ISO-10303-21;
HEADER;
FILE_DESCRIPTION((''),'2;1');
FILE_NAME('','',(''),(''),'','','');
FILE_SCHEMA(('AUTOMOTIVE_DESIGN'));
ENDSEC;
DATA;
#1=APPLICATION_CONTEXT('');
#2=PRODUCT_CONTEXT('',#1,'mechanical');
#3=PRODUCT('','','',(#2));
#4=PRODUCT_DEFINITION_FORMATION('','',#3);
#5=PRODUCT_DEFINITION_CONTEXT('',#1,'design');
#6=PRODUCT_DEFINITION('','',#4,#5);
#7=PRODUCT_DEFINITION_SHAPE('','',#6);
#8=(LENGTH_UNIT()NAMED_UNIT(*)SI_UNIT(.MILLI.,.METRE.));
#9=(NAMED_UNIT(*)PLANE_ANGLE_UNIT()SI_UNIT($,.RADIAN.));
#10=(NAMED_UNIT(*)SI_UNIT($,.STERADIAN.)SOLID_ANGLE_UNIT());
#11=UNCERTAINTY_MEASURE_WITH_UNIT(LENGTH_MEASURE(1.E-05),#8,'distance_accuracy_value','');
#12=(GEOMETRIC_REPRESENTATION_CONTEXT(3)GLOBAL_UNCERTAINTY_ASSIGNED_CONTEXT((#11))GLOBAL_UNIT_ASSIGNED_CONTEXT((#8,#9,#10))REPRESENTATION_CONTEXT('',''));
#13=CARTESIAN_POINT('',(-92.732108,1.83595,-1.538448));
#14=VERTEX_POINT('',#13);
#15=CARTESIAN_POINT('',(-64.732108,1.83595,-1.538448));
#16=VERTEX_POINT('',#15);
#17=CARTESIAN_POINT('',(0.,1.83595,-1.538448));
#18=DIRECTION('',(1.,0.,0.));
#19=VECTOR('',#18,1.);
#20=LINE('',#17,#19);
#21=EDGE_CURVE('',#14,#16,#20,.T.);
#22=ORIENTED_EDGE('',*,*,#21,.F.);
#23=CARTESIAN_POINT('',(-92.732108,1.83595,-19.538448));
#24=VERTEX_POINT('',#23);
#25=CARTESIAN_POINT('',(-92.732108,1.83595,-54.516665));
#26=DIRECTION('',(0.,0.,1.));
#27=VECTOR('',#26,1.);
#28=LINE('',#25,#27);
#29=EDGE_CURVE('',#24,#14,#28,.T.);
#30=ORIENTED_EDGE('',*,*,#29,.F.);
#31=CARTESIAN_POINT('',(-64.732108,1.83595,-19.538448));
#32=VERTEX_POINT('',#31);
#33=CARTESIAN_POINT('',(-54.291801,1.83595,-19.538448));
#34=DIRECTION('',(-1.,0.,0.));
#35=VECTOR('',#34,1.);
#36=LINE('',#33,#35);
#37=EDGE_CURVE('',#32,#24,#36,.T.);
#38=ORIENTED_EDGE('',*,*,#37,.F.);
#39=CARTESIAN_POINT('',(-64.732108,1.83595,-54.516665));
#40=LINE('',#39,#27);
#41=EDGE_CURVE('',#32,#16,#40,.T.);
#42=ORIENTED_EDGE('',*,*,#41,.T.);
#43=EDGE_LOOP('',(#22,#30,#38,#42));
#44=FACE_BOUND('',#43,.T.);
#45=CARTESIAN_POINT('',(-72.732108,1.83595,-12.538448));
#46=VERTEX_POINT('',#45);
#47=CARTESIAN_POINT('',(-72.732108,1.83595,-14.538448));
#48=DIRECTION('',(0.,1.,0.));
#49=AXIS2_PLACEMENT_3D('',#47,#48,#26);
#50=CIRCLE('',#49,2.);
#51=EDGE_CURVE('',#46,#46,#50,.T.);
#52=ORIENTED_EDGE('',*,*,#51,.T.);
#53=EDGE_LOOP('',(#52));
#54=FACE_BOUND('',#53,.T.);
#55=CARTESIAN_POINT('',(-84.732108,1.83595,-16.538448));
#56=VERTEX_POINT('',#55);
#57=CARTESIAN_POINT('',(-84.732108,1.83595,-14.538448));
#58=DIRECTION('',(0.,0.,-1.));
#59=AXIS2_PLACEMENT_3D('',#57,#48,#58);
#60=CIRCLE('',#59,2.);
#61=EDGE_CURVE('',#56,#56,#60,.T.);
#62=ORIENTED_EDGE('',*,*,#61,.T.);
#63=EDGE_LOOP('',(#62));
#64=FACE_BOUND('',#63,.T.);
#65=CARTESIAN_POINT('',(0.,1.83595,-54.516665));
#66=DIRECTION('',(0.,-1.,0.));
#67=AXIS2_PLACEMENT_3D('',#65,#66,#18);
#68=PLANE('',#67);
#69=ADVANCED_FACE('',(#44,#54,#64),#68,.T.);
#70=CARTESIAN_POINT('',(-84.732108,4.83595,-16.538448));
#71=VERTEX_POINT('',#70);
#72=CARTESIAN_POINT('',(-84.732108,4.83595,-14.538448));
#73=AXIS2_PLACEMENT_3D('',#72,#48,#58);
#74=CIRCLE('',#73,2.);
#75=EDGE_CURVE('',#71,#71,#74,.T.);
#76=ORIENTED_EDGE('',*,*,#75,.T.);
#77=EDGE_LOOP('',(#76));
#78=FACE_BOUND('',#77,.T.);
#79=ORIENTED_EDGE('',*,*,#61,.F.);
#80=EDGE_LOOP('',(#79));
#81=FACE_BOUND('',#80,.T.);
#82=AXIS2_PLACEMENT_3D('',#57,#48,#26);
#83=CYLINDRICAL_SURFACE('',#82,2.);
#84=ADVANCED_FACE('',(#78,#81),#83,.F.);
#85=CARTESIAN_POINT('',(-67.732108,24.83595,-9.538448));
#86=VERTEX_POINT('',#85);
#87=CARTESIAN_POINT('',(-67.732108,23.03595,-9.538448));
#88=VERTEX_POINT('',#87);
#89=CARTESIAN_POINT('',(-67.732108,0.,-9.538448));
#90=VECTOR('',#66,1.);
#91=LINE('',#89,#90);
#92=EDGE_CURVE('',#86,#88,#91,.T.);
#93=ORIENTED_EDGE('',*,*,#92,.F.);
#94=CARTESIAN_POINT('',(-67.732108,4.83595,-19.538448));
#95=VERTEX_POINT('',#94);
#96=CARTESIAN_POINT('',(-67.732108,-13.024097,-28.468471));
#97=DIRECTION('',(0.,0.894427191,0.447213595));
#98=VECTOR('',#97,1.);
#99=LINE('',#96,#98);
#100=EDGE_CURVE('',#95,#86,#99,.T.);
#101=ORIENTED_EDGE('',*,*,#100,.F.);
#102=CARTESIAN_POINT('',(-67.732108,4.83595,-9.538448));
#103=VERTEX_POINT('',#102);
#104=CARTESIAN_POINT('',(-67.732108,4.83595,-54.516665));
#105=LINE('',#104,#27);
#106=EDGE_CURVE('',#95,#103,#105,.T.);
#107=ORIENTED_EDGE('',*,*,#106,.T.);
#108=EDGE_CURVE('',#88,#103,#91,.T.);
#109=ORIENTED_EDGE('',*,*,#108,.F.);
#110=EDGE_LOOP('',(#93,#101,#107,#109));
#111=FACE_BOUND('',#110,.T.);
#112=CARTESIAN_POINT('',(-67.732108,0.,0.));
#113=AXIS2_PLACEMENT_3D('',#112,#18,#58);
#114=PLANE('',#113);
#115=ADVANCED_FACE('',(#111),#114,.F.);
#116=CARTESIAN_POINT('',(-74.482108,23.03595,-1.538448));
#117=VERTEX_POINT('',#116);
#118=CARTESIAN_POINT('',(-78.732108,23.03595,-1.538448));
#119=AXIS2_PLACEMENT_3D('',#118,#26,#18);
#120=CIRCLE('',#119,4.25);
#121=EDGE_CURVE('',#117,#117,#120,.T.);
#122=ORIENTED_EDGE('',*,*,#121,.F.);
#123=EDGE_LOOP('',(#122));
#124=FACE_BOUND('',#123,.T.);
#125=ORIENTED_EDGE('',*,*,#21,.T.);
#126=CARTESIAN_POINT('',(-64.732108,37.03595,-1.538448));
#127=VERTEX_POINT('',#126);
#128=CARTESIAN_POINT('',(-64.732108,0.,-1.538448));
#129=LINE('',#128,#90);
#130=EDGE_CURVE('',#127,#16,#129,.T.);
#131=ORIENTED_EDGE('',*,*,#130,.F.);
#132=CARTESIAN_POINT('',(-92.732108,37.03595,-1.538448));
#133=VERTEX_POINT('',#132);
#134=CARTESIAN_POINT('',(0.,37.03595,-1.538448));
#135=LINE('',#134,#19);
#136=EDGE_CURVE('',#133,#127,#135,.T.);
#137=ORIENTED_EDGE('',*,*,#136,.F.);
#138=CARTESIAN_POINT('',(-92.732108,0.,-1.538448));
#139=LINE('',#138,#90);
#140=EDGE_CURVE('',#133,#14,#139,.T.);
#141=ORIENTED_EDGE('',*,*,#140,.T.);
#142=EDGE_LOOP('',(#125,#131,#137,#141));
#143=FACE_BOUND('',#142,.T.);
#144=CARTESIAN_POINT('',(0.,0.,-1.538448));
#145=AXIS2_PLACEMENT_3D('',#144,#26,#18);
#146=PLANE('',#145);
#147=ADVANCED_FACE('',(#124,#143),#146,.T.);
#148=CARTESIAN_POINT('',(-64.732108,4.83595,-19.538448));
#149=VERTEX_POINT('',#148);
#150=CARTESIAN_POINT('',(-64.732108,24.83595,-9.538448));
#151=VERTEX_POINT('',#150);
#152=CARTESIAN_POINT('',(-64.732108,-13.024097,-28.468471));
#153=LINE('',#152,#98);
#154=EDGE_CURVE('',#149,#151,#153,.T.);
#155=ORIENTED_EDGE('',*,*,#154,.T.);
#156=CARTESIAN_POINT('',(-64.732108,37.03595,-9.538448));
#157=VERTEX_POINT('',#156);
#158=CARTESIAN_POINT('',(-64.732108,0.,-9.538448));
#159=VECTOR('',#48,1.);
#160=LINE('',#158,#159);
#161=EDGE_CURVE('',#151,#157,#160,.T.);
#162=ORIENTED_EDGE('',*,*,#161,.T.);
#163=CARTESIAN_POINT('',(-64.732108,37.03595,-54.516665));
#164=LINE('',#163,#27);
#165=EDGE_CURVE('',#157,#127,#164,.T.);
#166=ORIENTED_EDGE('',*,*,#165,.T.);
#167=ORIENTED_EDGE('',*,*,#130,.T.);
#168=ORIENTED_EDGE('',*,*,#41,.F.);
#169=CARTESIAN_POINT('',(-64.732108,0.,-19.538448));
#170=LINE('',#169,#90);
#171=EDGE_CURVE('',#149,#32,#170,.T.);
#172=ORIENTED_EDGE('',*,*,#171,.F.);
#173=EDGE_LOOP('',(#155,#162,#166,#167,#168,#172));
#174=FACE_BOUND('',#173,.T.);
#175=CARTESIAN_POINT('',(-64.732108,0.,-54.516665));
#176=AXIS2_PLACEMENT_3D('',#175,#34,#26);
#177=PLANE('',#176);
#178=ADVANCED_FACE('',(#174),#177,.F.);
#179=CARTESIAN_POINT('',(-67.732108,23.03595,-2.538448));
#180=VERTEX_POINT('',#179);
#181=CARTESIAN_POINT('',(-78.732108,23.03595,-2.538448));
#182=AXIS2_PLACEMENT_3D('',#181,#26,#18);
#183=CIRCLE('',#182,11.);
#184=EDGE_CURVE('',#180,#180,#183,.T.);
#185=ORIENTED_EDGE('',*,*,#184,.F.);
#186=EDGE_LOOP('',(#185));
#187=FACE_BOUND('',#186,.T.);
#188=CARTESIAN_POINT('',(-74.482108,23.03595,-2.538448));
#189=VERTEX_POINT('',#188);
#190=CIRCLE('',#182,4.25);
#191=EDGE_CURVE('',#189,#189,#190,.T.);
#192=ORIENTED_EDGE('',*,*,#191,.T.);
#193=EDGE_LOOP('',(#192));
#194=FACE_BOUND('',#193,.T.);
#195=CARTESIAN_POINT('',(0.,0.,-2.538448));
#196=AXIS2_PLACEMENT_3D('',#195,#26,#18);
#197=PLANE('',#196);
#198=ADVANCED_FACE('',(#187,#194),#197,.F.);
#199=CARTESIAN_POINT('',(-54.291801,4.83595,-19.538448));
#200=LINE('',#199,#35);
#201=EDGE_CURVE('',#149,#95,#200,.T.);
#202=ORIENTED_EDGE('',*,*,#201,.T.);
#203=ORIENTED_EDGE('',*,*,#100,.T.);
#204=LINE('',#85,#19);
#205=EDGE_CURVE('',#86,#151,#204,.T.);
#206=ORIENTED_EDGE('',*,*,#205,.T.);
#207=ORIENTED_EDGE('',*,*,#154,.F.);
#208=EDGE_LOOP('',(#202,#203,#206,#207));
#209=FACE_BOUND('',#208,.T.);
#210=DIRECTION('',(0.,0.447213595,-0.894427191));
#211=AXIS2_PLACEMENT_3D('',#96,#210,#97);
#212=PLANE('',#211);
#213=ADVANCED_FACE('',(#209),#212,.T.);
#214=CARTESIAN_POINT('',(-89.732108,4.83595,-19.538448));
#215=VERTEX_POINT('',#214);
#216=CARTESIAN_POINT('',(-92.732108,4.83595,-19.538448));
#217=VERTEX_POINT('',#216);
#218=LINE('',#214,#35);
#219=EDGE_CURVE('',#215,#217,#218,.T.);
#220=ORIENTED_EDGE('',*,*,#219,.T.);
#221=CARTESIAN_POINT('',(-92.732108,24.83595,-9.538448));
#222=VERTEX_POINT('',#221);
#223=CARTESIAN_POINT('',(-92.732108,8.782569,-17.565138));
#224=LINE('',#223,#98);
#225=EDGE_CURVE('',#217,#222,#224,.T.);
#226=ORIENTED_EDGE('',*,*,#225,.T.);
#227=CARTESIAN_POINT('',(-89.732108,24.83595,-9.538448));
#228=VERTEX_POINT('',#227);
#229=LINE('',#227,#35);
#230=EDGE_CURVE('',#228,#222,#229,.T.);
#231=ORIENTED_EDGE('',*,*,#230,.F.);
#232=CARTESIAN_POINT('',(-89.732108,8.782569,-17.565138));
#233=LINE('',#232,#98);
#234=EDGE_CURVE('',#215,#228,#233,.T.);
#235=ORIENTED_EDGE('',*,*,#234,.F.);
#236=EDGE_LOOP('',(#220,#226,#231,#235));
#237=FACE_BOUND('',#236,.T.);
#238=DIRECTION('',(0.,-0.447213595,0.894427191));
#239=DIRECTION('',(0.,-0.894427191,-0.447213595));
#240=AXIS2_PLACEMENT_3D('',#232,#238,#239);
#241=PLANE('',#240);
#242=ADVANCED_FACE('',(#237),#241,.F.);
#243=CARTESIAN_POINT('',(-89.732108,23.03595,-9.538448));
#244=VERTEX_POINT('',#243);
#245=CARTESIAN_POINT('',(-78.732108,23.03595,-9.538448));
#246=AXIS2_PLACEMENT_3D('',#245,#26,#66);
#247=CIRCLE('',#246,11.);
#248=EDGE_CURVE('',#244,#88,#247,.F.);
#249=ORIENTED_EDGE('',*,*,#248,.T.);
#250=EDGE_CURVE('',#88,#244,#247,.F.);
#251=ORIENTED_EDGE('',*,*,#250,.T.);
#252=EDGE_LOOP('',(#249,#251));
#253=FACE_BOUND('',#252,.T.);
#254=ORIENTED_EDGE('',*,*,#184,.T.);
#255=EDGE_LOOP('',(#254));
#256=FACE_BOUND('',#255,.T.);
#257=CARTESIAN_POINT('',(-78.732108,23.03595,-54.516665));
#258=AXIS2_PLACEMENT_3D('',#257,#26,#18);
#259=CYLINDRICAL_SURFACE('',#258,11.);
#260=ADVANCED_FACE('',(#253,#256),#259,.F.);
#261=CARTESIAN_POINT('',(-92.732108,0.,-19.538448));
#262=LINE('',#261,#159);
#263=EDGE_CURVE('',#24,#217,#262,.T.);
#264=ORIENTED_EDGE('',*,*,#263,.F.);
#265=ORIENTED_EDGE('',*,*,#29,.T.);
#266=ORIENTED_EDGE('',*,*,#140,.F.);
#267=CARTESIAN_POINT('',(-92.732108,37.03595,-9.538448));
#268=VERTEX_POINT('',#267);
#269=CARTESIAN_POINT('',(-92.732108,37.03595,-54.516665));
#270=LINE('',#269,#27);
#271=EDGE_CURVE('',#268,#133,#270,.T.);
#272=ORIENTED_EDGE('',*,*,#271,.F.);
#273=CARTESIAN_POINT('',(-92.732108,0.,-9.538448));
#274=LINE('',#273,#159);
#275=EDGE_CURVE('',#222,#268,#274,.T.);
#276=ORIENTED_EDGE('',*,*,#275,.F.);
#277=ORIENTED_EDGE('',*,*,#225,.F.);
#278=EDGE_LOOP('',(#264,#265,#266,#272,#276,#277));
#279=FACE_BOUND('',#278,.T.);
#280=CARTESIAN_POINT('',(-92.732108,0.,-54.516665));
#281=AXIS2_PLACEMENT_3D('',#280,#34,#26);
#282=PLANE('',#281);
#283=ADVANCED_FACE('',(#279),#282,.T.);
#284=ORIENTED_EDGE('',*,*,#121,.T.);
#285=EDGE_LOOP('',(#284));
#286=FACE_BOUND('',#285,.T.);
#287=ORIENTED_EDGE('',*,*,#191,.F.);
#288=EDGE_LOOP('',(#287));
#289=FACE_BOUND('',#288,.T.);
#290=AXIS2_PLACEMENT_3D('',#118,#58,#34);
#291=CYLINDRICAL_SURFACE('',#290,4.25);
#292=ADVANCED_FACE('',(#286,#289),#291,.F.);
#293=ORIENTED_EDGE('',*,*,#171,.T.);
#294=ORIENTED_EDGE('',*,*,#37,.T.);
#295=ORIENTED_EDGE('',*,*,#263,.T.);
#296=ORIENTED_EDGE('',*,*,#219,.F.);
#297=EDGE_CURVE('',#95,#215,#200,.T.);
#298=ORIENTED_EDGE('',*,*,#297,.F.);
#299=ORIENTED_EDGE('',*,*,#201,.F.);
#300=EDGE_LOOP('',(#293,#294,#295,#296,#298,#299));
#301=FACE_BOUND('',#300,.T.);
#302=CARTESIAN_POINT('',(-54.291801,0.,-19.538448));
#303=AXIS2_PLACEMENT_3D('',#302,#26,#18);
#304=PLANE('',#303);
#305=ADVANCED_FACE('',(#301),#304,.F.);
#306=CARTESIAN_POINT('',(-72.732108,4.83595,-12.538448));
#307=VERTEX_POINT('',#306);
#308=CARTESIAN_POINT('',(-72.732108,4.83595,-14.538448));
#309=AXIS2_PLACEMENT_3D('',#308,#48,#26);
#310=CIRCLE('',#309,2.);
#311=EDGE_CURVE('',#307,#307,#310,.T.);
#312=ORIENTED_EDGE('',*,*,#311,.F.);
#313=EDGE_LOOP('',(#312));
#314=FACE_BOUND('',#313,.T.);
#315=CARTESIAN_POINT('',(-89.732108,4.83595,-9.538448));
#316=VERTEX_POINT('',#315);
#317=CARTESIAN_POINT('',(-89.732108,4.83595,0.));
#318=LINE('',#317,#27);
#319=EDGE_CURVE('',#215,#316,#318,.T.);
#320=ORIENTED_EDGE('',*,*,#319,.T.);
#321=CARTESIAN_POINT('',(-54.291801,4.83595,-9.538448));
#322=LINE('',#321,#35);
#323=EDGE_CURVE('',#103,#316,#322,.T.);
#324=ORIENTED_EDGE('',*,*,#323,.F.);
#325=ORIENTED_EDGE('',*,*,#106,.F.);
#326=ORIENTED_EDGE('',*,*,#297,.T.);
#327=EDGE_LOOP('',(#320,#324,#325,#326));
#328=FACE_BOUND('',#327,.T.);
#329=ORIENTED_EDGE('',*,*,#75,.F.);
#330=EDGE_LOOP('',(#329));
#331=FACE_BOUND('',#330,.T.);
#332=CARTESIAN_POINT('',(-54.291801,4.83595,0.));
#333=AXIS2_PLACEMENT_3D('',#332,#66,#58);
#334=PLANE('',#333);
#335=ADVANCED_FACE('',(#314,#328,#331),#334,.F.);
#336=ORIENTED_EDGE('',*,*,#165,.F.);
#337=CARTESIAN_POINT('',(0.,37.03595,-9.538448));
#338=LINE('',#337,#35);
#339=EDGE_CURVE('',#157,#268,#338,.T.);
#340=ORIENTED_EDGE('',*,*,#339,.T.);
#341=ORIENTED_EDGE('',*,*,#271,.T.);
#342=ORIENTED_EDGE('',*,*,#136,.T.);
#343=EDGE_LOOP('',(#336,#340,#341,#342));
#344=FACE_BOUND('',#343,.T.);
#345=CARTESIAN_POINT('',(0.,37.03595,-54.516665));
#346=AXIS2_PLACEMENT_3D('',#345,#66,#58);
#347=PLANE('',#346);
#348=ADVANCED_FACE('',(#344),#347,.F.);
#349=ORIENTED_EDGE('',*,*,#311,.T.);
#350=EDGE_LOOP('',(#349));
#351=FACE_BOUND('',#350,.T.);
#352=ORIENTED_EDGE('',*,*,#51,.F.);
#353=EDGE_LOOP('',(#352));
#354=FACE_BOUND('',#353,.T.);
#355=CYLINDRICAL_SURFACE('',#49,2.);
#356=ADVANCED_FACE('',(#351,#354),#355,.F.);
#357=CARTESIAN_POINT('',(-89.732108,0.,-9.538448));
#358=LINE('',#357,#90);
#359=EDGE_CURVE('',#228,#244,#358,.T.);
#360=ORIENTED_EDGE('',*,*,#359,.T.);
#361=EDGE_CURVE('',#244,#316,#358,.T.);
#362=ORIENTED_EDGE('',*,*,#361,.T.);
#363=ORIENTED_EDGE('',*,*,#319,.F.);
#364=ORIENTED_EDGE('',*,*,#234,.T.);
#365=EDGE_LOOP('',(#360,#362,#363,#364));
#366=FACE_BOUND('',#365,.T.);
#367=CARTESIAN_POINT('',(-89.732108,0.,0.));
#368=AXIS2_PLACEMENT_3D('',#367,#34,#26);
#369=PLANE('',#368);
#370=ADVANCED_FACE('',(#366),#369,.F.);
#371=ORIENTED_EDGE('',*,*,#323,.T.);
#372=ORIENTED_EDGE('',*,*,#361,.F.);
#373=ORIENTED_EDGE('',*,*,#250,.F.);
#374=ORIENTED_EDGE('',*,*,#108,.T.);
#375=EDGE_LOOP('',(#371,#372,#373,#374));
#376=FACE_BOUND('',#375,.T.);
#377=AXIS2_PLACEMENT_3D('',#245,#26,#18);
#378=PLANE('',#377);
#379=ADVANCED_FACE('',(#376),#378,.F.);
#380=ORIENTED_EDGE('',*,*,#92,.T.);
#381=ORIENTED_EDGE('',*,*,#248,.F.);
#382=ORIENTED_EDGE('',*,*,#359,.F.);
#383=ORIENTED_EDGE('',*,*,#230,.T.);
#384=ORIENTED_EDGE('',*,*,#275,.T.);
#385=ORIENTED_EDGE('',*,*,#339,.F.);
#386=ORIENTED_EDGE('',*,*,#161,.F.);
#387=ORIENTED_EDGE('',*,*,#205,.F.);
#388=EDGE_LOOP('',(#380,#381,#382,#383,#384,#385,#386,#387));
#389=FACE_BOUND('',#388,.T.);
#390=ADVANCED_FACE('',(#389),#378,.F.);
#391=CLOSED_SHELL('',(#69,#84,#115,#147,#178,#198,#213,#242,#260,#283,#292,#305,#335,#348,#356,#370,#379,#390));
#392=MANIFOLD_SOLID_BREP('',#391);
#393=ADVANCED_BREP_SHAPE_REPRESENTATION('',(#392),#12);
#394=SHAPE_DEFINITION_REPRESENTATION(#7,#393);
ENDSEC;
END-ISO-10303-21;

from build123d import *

# Parameters (mm, degrees)
SKETCH2_W           = 28
SKETCH2_H           = 35.2
SKETCH2_R           = 11
BOSS_EXTRUDE3_DEPTH = 7
SKETCH3_W           = 10
SKETCH3_H           = 3
BOSS_EXTRUDE4_DEPTH = 28
BOSS_EXTRUDE5_DEPTH = 3
BOSS_EXTRUDE6_START = -28
BOSS_EXTRUDE6_DEPTH = 3
SKETCH4_R           = 2
CUT_EXTRUDE1_DEPTH  = 101.089134132
BOSS_EXTRUDE7_START = 1
SKETCH2_3_W         = 28
SKETCH2_3_H         = 35.2
SKETCH2_3_R         = 11
SKETCH2_3_R_2       = 10.7
SKETCH2_3_R_3       = 9.65
SKETCH2_3_R_4       = 4.25
BOSS_EXTRUDE7_DEPTH = 1


with BuildPart() as part:
    # Sketch2 → Boss-Extrude3 (new body)
    with BuildSketch(Plane.XY.offset(-2.538447986)):
        with Locations((-78.732107824, 19.43595021)):
            Rectangle(SKETCH2_W, SKETCH2_H)
        with Locations((-78.732107824, 23.03595021)):
            Circle(SKETCH2_R, mode=Mode.SUBTRACT)
    extrude(amount=-BOSS_EXTRUDE3_DEPTH)

    # Sketch3 → Boss-Extrude4 (add)
    with BuildSketch(Plane.ZY.offset(92.732107824)):
        with Locations((-14.538447986, 3.33595021)):
            Rectangle(SKETCH3_W, SKETCH3_H)
    extrude(amount=-BOSS_EXTRUDE4_DEPTH)

    # Sketch3<3> → Boss-Extrude5 (add)
    with BuildSketch(Plane.ZY.offset(92.732107824)):
        Polygon((-19.538447986, 4.83595021), (-9.538447986, 4.83595021), (-9.538447986, 24.83595021), align=None)
    extrude(amount=-BOSS_EXTRUDE5_DEPTH)

    # Sketch3<4> → Boss-Extrude6 (add)
    with BuildSketch(Plane.ZY.offset(92.732107824).offset(BOSS_EXTRUDE6_START)):
        Polygon((-19.538447986, 4.83595021), (-9.538447986, 4.83595021), (-9.538447986, 24.83595021), align=None)
    extrude(amount=BOSS_EXTRUDE6_DEPTH)

    # Sketch4 → Cut-Extrude1 (cut, through all)
    with BuildSketch(Plane(origin=(0, 4.83595021, 0), x_dir=(1, 0, 0), z_dir=(0, 1, 0))):
        with Locations(Location((-72.732107824, 14.538447986, 0), (0, 0, 270))):
            Circle(SKETCH4_R)
        with Locations(Location((-84.732107824, 14.538447986, 0), (0, 0, 90))):
            Circle(SKETCH4_R)
    extrude(amount=-CUT_EXTRUDE1_DEPTH, mode=Mode.SUBTRACT)

    # Sketch2<3> → Boss-Extrude7 (add)
    # profile 1 of 4: a face of its own
    with BuildSketch(Plane.XY.offset(-2.538447986).offset(BOSS_EXTRUDE7_START)):
        with Locations((-78.732107824, 19.43595021)):
            Rectangle(SKETCH2_3_W, SKETCH2_3_H)
        with Locations((-78.732107824, 23.03595021)):
            Circle(SKETCH2_3_R, mode=Mode.SUBTRACT)
    # profile 2 of 4: a face of its own
    with BuildSketch(Plane.XY.offset(-2.538447986).offset(BOSS_EXTRUDE7_START)):
        with Locations((-78.732107824, 23.03595021)):
            Circle(SKETCH2_3_R)
        with Locations((-78.732107824, 23.03595021)):
            Circle(SKETCH2_3_R_2, mode=Mode.SUBTRACT)
    # profile 3 of 4: a face of its own
    with BuildSketch(Plane.XY.offset(-2.538447986).offset(BOSS_EXTRUDE7_START)):
        with Locations((-78.732107824, 23.03595021)):
            Circle(SKETCH2_3_R_2)
        with Locations((-78.732107824, 23.03595021)):
            Circle(SKETCH2_3_R_3, mode=Mode.SUBTRACT)
    # profile 4 of 4: a face of its own
    with BuildSketch(Plane.XY.offset(-2.538447986).offset(BOSS_EXTRUDE7_START)):
        with Locations((-78.732107824, 23.03595021)):
            Circle(SKETCH2_3_R_3)
        with Locations((-78.732107824, 23.03595021)):
            Circle(SKETCH2_3_R_4, mode=Mode.SUBTRACT)
    extrude(amount=-BOSS_EXTRUDE7_DEPTH)


solid = part.part
